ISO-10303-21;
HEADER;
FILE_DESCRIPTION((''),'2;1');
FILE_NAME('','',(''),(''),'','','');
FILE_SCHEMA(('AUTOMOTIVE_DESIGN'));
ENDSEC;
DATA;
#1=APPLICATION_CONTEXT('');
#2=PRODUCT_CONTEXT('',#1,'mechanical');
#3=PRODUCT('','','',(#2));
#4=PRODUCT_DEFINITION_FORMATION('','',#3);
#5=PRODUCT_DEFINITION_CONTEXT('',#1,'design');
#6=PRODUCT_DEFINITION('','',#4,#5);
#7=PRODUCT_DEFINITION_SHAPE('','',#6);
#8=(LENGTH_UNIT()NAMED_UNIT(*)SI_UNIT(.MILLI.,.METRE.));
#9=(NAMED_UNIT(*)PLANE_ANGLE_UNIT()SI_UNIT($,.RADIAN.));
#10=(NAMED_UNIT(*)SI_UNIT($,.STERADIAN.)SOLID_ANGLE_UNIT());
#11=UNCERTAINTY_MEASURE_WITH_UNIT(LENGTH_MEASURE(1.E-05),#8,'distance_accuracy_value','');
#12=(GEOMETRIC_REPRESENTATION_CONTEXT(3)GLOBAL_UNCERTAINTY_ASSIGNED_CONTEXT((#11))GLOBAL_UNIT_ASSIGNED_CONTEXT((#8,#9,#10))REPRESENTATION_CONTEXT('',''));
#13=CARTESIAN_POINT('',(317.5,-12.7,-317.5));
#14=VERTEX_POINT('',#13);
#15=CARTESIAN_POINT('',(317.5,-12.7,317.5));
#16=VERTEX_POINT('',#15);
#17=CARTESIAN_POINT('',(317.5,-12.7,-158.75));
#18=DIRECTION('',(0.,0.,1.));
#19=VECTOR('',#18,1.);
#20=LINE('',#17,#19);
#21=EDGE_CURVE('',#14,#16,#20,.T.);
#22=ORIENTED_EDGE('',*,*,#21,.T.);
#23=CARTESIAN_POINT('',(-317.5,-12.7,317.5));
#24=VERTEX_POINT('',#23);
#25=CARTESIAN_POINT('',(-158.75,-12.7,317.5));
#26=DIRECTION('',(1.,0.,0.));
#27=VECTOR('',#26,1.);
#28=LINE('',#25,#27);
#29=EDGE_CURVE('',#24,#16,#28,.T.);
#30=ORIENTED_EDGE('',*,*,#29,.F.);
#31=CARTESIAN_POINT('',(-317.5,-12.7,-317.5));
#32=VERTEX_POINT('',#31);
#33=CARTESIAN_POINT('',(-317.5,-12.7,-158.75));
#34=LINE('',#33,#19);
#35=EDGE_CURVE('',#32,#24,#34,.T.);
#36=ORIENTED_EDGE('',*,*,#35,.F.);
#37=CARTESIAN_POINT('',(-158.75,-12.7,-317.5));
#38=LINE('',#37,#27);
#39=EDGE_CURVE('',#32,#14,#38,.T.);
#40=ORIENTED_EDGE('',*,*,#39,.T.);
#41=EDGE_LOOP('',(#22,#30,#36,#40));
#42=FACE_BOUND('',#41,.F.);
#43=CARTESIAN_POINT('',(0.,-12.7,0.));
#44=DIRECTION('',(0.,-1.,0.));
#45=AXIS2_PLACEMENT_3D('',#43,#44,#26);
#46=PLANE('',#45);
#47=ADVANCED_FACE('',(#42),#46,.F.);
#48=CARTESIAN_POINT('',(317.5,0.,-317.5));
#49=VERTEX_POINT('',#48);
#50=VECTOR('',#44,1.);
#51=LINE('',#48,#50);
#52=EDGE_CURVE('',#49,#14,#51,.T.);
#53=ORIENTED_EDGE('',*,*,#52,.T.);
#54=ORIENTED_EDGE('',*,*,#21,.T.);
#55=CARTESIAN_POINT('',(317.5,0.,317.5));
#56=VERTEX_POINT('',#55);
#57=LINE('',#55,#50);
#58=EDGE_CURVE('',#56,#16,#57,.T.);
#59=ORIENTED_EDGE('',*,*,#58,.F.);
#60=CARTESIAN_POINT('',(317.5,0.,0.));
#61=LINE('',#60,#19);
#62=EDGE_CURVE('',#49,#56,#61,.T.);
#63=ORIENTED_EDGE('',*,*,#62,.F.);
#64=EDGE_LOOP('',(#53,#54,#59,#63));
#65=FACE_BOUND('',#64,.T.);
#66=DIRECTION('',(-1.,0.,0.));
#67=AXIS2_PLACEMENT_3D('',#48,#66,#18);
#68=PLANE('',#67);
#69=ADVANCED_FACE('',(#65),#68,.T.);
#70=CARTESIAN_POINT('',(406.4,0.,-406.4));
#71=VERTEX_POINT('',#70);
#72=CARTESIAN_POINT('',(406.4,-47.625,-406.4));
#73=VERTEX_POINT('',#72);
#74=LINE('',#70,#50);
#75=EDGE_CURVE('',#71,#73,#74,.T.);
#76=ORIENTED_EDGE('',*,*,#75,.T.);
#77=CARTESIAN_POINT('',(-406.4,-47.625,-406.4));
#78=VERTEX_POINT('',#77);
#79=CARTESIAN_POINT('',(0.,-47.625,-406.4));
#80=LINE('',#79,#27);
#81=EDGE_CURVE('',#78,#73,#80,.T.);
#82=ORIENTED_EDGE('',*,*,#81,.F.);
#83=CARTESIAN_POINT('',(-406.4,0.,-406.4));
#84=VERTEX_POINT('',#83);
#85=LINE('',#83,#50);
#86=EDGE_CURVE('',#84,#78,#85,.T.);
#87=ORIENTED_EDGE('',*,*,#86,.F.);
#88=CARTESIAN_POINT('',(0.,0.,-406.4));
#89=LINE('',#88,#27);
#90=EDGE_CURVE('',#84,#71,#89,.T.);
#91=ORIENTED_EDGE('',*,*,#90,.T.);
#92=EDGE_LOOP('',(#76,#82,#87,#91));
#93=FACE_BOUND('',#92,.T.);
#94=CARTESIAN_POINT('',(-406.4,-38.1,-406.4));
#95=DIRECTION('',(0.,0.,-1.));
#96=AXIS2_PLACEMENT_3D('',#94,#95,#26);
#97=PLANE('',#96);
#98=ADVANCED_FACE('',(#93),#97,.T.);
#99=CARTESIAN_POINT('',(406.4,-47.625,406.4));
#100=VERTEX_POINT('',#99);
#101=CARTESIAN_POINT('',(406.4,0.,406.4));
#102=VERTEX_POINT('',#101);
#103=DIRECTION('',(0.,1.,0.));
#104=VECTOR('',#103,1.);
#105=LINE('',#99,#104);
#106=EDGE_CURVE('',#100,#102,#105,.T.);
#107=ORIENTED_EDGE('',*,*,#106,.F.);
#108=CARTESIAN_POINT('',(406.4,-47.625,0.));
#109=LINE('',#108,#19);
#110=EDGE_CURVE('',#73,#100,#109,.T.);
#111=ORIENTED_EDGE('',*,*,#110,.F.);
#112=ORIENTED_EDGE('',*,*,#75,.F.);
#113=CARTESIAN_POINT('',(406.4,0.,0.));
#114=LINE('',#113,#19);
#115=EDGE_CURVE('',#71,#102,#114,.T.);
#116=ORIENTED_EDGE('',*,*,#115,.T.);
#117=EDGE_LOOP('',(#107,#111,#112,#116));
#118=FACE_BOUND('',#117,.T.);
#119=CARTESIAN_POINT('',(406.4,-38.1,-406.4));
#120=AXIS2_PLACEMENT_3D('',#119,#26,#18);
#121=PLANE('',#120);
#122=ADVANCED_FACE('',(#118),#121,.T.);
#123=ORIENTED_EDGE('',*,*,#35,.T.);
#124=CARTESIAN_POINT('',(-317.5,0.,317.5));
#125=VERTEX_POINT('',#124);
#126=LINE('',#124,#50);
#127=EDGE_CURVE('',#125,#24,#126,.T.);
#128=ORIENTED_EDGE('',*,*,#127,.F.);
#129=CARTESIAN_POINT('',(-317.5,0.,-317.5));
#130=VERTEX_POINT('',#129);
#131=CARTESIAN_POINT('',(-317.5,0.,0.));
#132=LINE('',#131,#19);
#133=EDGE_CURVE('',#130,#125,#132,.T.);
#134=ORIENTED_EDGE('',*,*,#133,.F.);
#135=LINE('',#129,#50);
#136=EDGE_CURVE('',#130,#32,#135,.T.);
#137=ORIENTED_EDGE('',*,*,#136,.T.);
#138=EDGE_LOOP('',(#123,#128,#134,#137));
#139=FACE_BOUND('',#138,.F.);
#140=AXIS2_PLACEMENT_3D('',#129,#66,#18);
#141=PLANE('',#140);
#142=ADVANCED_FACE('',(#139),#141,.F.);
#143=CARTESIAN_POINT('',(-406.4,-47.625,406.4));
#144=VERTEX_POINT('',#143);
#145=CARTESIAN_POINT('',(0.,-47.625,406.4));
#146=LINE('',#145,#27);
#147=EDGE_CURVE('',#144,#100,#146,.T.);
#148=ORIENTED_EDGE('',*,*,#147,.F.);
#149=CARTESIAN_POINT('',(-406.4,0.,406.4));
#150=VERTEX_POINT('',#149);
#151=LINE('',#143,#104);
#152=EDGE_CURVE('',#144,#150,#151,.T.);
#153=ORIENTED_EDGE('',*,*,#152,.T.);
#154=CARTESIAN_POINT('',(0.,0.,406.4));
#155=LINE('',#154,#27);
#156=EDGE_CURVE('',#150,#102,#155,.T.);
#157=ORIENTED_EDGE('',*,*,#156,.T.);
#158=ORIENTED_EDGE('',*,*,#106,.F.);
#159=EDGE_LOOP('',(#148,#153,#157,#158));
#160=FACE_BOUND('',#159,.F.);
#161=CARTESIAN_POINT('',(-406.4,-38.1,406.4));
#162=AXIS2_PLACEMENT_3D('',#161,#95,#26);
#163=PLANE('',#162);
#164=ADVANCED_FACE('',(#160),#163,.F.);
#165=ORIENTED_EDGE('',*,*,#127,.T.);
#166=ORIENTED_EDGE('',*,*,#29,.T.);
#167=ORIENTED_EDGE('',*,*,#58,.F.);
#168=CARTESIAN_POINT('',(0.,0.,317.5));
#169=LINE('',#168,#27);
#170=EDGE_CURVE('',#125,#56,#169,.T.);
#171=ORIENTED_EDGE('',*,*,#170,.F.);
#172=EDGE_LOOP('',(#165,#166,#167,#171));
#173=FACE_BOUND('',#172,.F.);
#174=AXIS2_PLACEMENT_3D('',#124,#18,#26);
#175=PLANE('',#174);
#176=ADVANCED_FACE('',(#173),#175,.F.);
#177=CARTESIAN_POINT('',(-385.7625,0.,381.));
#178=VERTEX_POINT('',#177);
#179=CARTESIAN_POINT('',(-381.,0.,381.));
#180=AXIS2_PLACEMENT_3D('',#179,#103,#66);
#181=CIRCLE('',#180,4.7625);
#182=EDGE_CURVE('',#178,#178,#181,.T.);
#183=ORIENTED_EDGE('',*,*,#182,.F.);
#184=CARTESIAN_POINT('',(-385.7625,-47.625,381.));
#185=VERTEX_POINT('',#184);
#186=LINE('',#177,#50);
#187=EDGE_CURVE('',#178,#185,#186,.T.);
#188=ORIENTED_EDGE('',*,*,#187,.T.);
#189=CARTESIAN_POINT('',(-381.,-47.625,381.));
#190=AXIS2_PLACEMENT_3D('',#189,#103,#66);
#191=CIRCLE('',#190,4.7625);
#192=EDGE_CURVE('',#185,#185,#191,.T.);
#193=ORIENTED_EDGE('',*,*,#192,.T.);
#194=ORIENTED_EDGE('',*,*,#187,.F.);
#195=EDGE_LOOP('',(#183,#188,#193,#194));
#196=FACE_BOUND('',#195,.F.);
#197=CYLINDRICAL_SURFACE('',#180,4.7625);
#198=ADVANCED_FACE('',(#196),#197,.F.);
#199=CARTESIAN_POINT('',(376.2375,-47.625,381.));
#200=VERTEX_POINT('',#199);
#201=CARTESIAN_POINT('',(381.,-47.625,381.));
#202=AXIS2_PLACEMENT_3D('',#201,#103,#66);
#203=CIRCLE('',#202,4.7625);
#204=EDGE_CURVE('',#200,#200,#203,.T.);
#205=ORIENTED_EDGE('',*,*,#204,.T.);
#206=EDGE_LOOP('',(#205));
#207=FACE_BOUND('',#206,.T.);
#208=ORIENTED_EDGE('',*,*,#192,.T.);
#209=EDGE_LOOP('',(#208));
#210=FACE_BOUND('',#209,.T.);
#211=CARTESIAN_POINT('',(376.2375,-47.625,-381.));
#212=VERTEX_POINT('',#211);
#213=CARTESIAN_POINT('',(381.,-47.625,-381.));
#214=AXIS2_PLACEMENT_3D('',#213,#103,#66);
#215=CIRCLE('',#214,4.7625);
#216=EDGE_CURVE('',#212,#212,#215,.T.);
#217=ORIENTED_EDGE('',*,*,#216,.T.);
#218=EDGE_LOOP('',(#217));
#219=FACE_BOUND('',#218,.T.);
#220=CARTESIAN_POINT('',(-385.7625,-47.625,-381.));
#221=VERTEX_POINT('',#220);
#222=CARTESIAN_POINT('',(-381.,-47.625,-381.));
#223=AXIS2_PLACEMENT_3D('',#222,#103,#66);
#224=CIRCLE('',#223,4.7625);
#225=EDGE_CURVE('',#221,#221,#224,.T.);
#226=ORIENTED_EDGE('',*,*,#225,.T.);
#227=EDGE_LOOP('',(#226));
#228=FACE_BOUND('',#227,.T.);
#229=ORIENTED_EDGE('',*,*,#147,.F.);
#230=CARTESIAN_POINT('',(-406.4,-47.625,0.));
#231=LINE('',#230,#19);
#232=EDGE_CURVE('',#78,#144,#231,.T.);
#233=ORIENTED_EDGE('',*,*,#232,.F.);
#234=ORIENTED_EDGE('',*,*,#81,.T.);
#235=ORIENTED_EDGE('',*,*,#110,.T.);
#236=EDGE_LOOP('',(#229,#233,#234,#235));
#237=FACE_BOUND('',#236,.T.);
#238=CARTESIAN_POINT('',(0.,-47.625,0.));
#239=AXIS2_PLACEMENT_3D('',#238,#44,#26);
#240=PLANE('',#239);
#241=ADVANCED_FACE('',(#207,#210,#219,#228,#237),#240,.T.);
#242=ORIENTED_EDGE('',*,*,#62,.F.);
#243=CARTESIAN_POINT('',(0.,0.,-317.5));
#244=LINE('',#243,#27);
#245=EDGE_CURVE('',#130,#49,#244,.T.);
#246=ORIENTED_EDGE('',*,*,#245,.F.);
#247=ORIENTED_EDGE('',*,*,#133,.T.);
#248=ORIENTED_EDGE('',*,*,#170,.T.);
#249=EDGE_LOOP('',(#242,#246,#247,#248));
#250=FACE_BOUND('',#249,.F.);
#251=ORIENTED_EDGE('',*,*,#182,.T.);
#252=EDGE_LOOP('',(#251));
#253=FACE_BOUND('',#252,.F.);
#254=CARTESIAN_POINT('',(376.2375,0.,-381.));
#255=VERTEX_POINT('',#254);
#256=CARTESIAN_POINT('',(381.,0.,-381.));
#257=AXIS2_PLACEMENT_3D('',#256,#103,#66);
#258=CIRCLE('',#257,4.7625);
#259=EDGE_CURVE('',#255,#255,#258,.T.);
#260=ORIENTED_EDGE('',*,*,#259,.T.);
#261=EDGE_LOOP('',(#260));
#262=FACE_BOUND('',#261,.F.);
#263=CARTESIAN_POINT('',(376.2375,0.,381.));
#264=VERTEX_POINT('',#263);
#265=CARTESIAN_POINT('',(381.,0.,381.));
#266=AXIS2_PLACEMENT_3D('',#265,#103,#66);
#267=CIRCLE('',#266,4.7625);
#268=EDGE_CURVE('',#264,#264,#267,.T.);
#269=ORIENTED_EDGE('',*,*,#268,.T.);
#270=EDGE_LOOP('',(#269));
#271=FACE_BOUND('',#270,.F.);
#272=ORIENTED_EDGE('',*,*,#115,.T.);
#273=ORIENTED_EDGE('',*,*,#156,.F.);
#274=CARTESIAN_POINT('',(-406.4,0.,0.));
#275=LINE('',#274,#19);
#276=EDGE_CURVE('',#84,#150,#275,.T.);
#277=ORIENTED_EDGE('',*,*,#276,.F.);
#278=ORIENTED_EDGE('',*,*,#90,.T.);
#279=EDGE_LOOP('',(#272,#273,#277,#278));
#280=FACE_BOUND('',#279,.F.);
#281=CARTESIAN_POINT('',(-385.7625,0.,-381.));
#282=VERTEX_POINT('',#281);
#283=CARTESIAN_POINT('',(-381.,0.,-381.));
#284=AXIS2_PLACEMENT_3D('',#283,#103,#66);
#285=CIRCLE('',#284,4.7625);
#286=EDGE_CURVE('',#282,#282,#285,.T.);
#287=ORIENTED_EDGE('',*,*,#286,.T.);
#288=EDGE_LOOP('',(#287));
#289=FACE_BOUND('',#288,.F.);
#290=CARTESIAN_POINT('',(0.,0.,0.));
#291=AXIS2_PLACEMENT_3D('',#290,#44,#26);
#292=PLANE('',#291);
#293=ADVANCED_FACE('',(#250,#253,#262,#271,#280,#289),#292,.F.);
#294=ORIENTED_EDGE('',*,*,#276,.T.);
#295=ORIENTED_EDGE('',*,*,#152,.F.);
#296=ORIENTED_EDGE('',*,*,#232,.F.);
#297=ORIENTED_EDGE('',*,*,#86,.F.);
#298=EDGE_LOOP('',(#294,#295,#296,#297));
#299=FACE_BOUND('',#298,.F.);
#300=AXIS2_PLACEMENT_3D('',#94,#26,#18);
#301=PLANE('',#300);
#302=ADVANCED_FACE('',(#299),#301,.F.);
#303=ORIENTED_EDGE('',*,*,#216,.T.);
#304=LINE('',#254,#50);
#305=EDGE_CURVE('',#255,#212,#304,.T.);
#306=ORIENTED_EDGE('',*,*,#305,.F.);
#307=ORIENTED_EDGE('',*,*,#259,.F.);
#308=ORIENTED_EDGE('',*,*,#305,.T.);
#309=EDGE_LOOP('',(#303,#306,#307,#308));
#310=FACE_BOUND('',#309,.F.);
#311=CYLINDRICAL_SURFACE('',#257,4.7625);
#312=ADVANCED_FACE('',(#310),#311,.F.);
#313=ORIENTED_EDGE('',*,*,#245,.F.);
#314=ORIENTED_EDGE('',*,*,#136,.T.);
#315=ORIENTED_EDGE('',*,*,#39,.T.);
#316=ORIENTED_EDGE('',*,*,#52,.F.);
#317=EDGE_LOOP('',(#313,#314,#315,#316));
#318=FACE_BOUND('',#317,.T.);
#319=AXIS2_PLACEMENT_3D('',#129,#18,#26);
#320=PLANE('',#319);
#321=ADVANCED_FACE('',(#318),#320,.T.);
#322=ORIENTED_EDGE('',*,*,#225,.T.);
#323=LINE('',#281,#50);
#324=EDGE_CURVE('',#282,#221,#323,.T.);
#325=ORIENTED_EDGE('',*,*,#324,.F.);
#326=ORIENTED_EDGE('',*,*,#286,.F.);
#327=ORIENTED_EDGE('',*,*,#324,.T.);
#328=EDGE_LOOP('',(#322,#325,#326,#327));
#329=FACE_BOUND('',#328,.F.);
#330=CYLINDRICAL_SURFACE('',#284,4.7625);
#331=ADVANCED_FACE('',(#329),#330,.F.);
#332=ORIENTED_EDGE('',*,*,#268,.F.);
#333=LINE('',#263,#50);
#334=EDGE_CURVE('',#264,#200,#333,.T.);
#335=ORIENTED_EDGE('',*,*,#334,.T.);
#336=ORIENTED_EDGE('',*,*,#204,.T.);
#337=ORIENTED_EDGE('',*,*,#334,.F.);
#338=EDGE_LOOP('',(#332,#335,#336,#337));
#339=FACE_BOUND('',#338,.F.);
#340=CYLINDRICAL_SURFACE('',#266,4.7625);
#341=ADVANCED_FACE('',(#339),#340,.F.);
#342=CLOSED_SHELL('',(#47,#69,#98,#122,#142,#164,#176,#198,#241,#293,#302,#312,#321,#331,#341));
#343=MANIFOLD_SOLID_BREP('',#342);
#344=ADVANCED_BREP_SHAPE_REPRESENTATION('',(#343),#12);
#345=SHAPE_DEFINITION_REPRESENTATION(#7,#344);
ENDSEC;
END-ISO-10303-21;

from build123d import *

# Parameters (mm, degrees)
F0_W          = 812.8
F0_H          = 812.8
F0_W_2        = 635
F0_H_2        = 635
F1_DEPTH      = 38.1
F3_W          = 812.8
F3_H          = 812.8
F4_DEPTH      = 9.525
F4_DEPTH_BACK = 25.4
F5_R          = 4.7625
F6_DEPTH      = 254


with BuildPart() as f1:
    # F0 (on Front) → F1 (new body)
    with BuildSketch(Plane.XZ):
        Rectangle(F0_W, F0_H)
        Rectangle(F0_W_2, F0_H_2, mode=Mode.SUBTRACT)
    extrude(amount=F1_DEPTH)

    # F3 (on face) → F4 (join, two sides)
    with BuildSketch(Plane.XZ.offset(38.1)) as f4_sk:
        Rectangle(F3_W, F3_H)
    extrude(amount=F4_DEPTH)
    extrude(f4_sk.sketch, amount=-F4_DEPTH_BACK)

    # F5 (on face) → F6 (cut)
    with BuildSketch(Plane(origin=(0, 0, 0), x_dir=(-1, 0, 0), z_dir=(0, 1, 0))):
        with Locations((-381, -381)):
            Circle(F5_R)
        with Locations((381, -381)):
            Circle(F5_R)
        with Locations((381, 381)):
            Circle(F5_R)
        with Locations((-381, 381)):
            Circle(F5_R)
    extrude(amount=-F6_DEPTH, mode=Mode.SUBTRACT)


solid = f1.part
